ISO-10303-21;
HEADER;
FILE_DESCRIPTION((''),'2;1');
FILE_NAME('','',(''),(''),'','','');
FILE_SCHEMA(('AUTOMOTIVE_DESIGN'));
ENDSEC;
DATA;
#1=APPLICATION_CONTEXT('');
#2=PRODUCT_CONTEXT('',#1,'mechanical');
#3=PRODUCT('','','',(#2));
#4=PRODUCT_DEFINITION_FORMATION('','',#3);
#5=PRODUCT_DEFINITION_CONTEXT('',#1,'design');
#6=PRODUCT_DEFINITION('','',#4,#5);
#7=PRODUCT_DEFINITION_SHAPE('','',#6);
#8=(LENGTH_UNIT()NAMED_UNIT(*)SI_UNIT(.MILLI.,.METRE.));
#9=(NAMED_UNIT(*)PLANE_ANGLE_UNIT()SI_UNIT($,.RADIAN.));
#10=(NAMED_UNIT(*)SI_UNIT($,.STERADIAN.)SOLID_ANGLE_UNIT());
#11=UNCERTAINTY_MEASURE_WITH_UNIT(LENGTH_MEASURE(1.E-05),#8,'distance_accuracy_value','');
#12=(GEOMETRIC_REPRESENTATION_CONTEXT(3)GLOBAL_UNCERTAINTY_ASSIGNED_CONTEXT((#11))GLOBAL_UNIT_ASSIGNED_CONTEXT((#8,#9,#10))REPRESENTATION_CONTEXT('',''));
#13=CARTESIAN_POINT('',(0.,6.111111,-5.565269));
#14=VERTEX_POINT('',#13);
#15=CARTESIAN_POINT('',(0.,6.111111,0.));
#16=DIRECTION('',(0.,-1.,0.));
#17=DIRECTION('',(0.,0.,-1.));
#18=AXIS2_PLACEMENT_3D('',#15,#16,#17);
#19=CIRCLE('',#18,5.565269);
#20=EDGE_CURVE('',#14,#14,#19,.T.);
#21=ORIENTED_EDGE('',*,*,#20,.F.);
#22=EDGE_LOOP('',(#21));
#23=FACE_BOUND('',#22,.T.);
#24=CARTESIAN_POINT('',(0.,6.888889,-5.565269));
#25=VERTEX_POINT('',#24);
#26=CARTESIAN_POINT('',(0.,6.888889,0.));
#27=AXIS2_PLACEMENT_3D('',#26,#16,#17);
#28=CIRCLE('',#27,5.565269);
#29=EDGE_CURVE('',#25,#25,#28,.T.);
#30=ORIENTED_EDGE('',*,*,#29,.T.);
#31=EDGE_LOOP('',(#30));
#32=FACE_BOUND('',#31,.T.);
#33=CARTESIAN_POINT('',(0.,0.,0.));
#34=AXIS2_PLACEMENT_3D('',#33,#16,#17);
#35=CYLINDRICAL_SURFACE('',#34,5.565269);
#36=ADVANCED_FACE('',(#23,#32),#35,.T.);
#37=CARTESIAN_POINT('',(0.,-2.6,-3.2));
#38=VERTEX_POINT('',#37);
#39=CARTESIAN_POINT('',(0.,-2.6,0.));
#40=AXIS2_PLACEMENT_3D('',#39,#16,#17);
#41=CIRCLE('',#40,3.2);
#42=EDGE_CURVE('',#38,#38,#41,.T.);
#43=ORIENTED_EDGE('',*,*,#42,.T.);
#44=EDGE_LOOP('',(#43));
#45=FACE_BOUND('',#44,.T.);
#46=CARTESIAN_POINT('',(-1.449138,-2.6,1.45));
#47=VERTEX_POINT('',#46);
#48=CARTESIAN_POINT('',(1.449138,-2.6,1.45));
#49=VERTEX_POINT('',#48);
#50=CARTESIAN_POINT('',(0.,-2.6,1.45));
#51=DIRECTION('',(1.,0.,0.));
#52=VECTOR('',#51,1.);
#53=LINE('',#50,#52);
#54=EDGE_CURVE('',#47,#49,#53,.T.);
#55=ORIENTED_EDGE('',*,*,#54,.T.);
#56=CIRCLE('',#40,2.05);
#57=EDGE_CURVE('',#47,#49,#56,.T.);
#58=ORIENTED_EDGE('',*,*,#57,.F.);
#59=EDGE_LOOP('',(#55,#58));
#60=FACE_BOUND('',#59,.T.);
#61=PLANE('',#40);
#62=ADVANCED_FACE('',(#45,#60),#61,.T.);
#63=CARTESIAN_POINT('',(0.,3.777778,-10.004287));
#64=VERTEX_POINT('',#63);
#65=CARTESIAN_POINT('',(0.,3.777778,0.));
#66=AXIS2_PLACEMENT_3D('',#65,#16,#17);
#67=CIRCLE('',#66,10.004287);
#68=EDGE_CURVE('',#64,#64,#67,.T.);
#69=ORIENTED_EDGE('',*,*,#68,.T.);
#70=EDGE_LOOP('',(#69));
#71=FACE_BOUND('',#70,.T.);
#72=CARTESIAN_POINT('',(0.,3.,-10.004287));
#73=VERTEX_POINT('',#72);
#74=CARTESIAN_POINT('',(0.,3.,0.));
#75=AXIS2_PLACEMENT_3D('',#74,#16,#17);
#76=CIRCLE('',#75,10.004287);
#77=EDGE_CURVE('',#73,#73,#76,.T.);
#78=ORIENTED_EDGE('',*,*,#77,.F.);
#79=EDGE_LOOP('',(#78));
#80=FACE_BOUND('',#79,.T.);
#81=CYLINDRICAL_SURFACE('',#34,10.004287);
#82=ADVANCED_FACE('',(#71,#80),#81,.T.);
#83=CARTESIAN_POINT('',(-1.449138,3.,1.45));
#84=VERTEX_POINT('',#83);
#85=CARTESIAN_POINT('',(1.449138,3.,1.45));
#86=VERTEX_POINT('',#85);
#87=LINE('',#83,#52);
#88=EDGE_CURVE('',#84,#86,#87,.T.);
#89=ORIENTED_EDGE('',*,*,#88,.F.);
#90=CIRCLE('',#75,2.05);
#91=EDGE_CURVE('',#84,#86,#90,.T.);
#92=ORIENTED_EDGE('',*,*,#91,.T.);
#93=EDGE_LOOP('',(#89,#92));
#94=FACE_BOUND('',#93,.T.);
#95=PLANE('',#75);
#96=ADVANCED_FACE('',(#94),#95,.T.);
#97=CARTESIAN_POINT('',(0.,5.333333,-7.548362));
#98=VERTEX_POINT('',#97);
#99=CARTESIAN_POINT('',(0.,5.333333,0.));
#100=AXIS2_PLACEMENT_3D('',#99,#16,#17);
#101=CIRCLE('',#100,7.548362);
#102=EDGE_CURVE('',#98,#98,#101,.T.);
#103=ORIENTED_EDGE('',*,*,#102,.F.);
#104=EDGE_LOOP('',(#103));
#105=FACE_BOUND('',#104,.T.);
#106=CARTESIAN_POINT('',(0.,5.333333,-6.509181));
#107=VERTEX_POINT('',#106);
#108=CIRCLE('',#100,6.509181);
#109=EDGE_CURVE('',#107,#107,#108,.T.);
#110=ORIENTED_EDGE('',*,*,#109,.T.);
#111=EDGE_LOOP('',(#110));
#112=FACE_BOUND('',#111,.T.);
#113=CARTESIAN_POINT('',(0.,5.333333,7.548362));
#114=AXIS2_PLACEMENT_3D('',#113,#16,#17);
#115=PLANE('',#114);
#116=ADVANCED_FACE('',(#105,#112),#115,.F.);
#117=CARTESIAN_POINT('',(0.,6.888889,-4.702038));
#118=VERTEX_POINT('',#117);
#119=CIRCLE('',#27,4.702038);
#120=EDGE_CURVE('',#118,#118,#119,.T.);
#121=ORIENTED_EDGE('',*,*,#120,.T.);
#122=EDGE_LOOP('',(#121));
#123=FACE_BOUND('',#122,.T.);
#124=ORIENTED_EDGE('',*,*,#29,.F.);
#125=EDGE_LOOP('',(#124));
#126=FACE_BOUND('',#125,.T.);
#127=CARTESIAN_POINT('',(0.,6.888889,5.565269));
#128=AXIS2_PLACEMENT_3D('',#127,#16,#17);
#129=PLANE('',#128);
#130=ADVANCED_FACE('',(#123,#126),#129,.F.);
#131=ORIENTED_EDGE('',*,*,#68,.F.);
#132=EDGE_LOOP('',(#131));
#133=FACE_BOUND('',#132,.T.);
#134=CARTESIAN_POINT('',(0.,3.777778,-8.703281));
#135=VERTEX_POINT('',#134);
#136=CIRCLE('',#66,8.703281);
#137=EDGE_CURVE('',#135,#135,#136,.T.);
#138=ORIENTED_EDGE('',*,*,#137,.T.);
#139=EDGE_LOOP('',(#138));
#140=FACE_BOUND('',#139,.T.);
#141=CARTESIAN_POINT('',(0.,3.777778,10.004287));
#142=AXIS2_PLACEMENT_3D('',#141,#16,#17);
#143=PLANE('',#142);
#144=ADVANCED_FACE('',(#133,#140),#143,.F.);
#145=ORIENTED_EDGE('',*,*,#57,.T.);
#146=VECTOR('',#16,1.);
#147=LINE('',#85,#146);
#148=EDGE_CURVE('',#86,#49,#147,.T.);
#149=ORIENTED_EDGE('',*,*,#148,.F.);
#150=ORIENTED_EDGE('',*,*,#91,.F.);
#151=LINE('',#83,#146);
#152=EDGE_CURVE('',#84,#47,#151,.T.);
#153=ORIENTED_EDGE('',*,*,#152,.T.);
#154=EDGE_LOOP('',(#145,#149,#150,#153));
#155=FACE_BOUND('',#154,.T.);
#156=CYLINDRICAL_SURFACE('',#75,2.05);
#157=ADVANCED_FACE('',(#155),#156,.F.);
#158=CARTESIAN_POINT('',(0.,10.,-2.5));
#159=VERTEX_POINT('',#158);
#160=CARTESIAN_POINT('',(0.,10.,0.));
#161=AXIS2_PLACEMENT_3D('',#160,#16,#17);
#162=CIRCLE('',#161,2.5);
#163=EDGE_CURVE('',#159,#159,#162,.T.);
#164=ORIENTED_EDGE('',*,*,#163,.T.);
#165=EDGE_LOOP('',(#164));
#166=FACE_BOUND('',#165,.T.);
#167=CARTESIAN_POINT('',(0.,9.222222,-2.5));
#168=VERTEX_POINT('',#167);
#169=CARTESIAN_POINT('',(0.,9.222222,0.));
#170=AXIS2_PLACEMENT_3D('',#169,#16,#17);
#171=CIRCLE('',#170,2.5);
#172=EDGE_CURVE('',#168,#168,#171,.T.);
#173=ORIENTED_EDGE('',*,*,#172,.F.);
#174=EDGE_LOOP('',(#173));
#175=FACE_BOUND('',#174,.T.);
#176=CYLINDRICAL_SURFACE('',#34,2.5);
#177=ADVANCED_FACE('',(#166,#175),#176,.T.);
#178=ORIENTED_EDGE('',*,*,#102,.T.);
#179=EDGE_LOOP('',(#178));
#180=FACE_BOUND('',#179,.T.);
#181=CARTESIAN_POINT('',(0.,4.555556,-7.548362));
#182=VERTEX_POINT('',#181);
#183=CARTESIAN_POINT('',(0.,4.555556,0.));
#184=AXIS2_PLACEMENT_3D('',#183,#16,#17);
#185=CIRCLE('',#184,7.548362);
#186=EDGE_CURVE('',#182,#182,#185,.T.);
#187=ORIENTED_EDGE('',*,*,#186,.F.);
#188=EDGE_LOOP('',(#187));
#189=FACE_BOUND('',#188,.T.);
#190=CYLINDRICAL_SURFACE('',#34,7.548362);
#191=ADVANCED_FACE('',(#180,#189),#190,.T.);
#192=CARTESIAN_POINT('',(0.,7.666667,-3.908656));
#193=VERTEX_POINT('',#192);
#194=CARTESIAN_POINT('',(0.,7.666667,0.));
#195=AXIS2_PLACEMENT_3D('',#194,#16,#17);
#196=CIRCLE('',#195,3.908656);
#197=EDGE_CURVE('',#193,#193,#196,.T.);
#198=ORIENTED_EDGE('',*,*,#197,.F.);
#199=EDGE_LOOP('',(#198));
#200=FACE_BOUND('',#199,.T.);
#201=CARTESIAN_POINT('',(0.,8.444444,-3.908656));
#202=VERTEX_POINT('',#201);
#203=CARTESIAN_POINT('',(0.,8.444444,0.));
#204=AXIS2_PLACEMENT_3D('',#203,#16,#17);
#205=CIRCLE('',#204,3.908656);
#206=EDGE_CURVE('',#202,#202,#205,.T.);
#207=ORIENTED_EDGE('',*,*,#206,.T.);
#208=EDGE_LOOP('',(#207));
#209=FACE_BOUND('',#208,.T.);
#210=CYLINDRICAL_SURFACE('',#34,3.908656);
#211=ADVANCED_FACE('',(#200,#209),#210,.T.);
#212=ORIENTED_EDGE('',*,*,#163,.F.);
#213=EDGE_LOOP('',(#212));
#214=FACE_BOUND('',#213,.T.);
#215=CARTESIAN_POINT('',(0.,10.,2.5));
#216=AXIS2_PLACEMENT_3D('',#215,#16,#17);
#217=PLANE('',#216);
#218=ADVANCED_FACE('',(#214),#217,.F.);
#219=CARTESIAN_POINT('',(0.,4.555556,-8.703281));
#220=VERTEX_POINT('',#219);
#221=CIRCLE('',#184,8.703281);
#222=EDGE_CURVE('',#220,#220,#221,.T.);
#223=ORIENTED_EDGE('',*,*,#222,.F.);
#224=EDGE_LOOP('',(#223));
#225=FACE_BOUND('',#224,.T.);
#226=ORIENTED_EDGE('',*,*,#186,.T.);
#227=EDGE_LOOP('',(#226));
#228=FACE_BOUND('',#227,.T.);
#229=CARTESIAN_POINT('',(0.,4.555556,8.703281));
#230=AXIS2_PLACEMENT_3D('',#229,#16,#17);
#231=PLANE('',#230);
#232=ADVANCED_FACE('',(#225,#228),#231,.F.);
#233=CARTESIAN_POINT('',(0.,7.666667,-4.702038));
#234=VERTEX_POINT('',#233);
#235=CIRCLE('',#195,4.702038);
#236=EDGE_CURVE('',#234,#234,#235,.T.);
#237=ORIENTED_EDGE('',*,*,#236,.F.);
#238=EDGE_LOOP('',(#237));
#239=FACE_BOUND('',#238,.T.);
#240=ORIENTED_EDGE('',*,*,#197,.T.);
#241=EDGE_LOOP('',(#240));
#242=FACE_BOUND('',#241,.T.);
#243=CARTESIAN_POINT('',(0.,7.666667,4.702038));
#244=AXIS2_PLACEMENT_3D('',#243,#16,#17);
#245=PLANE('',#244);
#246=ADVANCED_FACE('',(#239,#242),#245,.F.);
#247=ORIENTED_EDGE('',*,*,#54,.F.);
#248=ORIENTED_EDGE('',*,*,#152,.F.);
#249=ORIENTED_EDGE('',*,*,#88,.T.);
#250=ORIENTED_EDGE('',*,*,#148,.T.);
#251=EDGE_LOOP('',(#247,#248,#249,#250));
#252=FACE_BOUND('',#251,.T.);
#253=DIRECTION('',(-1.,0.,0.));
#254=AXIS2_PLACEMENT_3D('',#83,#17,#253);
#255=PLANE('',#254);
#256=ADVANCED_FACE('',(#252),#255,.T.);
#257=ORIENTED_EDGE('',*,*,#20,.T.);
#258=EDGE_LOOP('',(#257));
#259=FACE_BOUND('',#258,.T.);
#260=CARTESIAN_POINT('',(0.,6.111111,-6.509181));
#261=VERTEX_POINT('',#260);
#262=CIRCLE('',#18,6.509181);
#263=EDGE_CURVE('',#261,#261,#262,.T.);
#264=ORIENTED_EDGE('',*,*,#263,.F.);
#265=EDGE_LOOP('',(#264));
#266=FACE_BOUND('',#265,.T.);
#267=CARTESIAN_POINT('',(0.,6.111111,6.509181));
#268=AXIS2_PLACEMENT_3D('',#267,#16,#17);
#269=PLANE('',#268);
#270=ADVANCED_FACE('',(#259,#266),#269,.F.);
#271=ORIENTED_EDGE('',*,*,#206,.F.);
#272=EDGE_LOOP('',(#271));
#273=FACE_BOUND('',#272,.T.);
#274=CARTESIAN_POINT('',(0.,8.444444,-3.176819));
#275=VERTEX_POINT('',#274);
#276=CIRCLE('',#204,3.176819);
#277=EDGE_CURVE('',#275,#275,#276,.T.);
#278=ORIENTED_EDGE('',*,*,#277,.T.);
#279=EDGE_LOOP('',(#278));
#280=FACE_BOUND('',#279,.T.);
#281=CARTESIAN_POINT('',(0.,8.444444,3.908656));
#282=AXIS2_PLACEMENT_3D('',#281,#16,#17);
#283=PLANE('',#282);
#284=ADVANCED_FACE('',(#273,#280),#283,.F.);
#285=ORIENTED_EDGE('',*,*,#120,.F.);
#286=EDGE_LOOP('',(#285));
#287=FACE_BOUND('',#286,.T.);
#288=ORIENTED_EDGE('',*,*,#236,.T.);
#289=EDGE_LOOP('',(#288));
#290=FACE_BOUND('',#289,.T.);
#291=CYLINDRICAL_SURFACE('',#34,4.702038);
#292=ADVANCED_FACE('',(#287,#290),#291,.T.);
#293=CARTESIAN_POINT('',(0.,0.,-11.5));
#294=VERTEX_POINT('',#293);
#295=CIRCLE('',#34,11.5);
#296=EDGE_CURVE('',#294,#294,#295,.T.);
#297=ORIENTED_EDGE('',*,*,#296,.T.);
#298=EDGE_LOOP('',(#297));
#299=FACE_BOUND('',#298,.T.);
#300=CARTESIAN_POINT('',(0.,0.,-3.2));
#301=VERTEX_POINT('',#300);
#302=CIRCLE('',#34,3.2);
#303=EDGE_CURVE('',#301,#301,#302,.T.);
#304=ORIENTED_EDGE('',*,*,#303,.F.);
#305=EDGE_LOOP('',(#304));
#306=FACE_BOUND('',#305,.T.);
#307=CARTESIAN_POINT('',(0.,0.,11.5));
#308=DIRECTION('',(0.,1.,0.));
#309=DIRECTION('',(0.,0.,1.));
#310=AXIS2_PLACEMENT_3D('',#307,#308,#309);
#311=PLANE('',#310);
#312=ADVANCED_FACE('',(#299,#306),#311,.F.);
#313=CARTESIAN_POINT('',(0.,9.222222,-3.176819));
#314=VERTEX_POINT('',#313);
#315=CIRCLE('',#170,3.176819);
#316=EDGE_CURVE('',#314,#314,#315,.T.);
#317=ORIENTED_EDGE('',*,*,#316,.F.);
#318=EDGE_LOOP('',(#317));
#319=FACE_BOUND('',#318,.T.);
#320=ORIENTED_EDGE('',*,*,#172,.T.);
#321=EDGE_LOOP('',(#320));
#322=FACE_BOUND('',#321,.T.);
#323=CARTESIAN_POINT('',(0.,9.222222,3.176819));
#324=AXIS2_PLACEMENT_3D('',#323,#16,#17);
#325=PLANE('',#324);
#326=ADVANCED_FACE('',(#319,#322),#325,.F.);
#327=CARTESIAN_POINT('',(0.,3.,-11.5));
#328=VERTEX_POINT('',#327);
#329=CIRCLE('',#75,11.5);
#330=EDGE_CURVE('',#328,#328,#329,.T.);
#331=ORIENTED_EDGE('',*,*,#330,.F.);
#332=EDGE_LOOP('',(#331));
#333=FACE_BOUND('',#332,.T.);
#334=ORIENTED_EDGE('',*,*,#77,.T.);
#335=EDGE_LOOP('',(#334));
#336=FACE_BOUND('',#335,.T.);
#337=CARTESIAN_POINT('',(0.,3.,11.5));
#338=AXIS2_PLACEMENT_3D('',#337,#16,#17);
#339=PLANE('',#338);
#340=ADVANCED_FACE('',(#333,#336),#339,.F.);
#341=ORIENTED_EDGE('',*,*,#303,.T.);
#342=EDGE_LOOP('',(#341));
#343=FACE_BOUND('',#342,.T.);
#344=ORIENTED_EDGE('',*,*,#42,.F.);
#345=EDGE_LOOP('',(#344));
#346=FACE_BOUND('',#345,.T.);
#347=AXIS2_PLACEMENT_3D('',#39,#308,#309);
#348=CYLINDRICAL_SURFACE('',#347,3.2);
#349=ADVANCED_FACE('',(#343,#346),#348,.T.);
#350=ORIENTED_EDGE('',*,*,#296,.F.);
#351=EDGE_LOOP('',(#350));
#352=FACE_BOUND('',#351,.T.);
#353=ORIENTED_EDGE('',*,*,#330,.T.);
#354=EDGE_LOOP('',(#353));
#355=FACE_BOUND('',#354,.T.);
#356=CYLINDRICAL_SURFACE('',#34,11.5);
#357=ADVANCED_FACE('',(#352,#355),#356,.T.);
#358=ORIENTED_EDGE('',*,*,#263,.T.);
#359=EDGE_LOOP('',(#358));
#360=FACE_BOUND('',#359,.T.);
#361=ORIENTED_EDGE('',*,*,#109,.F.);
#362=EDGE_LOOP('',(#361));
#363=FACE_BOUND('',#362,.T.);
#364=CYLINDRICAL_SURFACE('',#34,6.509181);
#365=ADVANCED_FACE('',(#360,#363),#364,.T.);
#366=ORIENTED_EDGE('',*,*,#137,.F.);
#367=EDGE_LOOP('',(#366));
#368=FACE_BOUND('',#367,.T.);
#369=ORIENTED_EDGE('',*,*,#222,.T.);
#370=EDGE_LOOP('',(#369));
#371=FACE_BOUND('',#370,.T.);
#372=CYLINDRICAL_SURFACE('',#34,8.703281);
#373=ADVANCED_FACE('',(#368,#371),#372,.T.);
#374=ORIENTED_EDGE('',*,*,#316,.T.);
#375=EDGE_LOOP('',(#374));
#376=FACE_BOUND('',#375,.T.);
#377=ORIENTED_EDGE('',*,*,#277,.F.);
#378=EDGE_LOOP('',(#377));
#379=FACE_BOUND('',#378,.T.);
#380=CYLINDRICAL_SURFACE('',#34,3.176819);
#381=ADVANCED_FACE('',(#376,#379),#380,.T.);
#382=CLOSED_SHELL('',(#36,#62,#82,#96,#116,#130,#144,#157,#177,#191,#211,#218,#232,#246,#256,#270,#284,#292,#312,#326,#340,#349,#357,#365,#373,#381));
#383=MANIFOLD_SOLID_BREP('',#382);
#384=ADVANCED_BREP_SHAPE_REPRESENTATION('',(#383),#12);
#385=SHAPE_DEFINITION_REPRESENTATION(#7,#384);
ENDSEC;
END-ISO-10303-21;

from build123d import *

# Parameters (mm, degrees)
SKETCH2_R               = 3.2
BOSS_EXTRUDE1_DEPTH     = 2.6
CUT_EXTRUDE1_DEPTH      = 3
CUT_EXTRUDE1_DEPTH_BACK = 3


with BuildPart() as part:
    # Sketch1 → Revolve1 (revolve)
    with BuildSketch(Plane(origin=(0, 0, 0), x_dir=(0, 0, -1), z_dir=(1, 0, 0))):
        Polygon((-11.5, 0), (-11.5, 3), (-10.00428681, 3), (-10.00428681, 3.777777778), (-8.703281017, 3.777777778), (-8.703281017, 4.555555556), (-7.548361646, 4.555555556), (-7.548361646, 5.333333333), (-6.509180682, 5.333333333), (-6.509180682, 6.111111111), (-5.565268632, 6.111111111), (-5.565268632, 6.888888889), (-4.702037743, 6.888888889), (-4.702037743, 7.666666667), (-3.908655746, 7.666666667), (-3.908655746, 8.444444444), (-3.176819128, 8.444444444), (-3.176819128, 9.222222222), (-2.5, 9.222222222), (-2.5, 10), (0, 10), (0, 0), align=None)
    revolve(axis=Axis((0, 0, 0), (0, 1, 0)))

    # Sketch2 → Boss-Extrude1 (add)
    with BuildSketch(Plane.XZ):
        Circle(SKETCH2_R)
    extrude(amount=BOSS_EXTRUDE1_DEPTH)

    # Sketch2<3> → Cut-Extrude1 (cut, two sides: drawn at the far end of the back side and taken through both)
    with BuildSketch(Plane.XZ.offset(-CUT_EXTRUDE1_DEPTH_BACK)):
        with BuildLine():
            Line((-1.449137675, 1.45), (1.449137675, 1.45))
            ThreePointArc((1.449137675, 1.45), (0, -2.05), (-1.449137675, 1.45))
        make_face()
    extrude(amount=CUT_EXTRUDE1_DEPTH + CUT_EXTRUDE1_DEPTH_BACK, mode=Mode.SUBTRACT)


solid = part.part
